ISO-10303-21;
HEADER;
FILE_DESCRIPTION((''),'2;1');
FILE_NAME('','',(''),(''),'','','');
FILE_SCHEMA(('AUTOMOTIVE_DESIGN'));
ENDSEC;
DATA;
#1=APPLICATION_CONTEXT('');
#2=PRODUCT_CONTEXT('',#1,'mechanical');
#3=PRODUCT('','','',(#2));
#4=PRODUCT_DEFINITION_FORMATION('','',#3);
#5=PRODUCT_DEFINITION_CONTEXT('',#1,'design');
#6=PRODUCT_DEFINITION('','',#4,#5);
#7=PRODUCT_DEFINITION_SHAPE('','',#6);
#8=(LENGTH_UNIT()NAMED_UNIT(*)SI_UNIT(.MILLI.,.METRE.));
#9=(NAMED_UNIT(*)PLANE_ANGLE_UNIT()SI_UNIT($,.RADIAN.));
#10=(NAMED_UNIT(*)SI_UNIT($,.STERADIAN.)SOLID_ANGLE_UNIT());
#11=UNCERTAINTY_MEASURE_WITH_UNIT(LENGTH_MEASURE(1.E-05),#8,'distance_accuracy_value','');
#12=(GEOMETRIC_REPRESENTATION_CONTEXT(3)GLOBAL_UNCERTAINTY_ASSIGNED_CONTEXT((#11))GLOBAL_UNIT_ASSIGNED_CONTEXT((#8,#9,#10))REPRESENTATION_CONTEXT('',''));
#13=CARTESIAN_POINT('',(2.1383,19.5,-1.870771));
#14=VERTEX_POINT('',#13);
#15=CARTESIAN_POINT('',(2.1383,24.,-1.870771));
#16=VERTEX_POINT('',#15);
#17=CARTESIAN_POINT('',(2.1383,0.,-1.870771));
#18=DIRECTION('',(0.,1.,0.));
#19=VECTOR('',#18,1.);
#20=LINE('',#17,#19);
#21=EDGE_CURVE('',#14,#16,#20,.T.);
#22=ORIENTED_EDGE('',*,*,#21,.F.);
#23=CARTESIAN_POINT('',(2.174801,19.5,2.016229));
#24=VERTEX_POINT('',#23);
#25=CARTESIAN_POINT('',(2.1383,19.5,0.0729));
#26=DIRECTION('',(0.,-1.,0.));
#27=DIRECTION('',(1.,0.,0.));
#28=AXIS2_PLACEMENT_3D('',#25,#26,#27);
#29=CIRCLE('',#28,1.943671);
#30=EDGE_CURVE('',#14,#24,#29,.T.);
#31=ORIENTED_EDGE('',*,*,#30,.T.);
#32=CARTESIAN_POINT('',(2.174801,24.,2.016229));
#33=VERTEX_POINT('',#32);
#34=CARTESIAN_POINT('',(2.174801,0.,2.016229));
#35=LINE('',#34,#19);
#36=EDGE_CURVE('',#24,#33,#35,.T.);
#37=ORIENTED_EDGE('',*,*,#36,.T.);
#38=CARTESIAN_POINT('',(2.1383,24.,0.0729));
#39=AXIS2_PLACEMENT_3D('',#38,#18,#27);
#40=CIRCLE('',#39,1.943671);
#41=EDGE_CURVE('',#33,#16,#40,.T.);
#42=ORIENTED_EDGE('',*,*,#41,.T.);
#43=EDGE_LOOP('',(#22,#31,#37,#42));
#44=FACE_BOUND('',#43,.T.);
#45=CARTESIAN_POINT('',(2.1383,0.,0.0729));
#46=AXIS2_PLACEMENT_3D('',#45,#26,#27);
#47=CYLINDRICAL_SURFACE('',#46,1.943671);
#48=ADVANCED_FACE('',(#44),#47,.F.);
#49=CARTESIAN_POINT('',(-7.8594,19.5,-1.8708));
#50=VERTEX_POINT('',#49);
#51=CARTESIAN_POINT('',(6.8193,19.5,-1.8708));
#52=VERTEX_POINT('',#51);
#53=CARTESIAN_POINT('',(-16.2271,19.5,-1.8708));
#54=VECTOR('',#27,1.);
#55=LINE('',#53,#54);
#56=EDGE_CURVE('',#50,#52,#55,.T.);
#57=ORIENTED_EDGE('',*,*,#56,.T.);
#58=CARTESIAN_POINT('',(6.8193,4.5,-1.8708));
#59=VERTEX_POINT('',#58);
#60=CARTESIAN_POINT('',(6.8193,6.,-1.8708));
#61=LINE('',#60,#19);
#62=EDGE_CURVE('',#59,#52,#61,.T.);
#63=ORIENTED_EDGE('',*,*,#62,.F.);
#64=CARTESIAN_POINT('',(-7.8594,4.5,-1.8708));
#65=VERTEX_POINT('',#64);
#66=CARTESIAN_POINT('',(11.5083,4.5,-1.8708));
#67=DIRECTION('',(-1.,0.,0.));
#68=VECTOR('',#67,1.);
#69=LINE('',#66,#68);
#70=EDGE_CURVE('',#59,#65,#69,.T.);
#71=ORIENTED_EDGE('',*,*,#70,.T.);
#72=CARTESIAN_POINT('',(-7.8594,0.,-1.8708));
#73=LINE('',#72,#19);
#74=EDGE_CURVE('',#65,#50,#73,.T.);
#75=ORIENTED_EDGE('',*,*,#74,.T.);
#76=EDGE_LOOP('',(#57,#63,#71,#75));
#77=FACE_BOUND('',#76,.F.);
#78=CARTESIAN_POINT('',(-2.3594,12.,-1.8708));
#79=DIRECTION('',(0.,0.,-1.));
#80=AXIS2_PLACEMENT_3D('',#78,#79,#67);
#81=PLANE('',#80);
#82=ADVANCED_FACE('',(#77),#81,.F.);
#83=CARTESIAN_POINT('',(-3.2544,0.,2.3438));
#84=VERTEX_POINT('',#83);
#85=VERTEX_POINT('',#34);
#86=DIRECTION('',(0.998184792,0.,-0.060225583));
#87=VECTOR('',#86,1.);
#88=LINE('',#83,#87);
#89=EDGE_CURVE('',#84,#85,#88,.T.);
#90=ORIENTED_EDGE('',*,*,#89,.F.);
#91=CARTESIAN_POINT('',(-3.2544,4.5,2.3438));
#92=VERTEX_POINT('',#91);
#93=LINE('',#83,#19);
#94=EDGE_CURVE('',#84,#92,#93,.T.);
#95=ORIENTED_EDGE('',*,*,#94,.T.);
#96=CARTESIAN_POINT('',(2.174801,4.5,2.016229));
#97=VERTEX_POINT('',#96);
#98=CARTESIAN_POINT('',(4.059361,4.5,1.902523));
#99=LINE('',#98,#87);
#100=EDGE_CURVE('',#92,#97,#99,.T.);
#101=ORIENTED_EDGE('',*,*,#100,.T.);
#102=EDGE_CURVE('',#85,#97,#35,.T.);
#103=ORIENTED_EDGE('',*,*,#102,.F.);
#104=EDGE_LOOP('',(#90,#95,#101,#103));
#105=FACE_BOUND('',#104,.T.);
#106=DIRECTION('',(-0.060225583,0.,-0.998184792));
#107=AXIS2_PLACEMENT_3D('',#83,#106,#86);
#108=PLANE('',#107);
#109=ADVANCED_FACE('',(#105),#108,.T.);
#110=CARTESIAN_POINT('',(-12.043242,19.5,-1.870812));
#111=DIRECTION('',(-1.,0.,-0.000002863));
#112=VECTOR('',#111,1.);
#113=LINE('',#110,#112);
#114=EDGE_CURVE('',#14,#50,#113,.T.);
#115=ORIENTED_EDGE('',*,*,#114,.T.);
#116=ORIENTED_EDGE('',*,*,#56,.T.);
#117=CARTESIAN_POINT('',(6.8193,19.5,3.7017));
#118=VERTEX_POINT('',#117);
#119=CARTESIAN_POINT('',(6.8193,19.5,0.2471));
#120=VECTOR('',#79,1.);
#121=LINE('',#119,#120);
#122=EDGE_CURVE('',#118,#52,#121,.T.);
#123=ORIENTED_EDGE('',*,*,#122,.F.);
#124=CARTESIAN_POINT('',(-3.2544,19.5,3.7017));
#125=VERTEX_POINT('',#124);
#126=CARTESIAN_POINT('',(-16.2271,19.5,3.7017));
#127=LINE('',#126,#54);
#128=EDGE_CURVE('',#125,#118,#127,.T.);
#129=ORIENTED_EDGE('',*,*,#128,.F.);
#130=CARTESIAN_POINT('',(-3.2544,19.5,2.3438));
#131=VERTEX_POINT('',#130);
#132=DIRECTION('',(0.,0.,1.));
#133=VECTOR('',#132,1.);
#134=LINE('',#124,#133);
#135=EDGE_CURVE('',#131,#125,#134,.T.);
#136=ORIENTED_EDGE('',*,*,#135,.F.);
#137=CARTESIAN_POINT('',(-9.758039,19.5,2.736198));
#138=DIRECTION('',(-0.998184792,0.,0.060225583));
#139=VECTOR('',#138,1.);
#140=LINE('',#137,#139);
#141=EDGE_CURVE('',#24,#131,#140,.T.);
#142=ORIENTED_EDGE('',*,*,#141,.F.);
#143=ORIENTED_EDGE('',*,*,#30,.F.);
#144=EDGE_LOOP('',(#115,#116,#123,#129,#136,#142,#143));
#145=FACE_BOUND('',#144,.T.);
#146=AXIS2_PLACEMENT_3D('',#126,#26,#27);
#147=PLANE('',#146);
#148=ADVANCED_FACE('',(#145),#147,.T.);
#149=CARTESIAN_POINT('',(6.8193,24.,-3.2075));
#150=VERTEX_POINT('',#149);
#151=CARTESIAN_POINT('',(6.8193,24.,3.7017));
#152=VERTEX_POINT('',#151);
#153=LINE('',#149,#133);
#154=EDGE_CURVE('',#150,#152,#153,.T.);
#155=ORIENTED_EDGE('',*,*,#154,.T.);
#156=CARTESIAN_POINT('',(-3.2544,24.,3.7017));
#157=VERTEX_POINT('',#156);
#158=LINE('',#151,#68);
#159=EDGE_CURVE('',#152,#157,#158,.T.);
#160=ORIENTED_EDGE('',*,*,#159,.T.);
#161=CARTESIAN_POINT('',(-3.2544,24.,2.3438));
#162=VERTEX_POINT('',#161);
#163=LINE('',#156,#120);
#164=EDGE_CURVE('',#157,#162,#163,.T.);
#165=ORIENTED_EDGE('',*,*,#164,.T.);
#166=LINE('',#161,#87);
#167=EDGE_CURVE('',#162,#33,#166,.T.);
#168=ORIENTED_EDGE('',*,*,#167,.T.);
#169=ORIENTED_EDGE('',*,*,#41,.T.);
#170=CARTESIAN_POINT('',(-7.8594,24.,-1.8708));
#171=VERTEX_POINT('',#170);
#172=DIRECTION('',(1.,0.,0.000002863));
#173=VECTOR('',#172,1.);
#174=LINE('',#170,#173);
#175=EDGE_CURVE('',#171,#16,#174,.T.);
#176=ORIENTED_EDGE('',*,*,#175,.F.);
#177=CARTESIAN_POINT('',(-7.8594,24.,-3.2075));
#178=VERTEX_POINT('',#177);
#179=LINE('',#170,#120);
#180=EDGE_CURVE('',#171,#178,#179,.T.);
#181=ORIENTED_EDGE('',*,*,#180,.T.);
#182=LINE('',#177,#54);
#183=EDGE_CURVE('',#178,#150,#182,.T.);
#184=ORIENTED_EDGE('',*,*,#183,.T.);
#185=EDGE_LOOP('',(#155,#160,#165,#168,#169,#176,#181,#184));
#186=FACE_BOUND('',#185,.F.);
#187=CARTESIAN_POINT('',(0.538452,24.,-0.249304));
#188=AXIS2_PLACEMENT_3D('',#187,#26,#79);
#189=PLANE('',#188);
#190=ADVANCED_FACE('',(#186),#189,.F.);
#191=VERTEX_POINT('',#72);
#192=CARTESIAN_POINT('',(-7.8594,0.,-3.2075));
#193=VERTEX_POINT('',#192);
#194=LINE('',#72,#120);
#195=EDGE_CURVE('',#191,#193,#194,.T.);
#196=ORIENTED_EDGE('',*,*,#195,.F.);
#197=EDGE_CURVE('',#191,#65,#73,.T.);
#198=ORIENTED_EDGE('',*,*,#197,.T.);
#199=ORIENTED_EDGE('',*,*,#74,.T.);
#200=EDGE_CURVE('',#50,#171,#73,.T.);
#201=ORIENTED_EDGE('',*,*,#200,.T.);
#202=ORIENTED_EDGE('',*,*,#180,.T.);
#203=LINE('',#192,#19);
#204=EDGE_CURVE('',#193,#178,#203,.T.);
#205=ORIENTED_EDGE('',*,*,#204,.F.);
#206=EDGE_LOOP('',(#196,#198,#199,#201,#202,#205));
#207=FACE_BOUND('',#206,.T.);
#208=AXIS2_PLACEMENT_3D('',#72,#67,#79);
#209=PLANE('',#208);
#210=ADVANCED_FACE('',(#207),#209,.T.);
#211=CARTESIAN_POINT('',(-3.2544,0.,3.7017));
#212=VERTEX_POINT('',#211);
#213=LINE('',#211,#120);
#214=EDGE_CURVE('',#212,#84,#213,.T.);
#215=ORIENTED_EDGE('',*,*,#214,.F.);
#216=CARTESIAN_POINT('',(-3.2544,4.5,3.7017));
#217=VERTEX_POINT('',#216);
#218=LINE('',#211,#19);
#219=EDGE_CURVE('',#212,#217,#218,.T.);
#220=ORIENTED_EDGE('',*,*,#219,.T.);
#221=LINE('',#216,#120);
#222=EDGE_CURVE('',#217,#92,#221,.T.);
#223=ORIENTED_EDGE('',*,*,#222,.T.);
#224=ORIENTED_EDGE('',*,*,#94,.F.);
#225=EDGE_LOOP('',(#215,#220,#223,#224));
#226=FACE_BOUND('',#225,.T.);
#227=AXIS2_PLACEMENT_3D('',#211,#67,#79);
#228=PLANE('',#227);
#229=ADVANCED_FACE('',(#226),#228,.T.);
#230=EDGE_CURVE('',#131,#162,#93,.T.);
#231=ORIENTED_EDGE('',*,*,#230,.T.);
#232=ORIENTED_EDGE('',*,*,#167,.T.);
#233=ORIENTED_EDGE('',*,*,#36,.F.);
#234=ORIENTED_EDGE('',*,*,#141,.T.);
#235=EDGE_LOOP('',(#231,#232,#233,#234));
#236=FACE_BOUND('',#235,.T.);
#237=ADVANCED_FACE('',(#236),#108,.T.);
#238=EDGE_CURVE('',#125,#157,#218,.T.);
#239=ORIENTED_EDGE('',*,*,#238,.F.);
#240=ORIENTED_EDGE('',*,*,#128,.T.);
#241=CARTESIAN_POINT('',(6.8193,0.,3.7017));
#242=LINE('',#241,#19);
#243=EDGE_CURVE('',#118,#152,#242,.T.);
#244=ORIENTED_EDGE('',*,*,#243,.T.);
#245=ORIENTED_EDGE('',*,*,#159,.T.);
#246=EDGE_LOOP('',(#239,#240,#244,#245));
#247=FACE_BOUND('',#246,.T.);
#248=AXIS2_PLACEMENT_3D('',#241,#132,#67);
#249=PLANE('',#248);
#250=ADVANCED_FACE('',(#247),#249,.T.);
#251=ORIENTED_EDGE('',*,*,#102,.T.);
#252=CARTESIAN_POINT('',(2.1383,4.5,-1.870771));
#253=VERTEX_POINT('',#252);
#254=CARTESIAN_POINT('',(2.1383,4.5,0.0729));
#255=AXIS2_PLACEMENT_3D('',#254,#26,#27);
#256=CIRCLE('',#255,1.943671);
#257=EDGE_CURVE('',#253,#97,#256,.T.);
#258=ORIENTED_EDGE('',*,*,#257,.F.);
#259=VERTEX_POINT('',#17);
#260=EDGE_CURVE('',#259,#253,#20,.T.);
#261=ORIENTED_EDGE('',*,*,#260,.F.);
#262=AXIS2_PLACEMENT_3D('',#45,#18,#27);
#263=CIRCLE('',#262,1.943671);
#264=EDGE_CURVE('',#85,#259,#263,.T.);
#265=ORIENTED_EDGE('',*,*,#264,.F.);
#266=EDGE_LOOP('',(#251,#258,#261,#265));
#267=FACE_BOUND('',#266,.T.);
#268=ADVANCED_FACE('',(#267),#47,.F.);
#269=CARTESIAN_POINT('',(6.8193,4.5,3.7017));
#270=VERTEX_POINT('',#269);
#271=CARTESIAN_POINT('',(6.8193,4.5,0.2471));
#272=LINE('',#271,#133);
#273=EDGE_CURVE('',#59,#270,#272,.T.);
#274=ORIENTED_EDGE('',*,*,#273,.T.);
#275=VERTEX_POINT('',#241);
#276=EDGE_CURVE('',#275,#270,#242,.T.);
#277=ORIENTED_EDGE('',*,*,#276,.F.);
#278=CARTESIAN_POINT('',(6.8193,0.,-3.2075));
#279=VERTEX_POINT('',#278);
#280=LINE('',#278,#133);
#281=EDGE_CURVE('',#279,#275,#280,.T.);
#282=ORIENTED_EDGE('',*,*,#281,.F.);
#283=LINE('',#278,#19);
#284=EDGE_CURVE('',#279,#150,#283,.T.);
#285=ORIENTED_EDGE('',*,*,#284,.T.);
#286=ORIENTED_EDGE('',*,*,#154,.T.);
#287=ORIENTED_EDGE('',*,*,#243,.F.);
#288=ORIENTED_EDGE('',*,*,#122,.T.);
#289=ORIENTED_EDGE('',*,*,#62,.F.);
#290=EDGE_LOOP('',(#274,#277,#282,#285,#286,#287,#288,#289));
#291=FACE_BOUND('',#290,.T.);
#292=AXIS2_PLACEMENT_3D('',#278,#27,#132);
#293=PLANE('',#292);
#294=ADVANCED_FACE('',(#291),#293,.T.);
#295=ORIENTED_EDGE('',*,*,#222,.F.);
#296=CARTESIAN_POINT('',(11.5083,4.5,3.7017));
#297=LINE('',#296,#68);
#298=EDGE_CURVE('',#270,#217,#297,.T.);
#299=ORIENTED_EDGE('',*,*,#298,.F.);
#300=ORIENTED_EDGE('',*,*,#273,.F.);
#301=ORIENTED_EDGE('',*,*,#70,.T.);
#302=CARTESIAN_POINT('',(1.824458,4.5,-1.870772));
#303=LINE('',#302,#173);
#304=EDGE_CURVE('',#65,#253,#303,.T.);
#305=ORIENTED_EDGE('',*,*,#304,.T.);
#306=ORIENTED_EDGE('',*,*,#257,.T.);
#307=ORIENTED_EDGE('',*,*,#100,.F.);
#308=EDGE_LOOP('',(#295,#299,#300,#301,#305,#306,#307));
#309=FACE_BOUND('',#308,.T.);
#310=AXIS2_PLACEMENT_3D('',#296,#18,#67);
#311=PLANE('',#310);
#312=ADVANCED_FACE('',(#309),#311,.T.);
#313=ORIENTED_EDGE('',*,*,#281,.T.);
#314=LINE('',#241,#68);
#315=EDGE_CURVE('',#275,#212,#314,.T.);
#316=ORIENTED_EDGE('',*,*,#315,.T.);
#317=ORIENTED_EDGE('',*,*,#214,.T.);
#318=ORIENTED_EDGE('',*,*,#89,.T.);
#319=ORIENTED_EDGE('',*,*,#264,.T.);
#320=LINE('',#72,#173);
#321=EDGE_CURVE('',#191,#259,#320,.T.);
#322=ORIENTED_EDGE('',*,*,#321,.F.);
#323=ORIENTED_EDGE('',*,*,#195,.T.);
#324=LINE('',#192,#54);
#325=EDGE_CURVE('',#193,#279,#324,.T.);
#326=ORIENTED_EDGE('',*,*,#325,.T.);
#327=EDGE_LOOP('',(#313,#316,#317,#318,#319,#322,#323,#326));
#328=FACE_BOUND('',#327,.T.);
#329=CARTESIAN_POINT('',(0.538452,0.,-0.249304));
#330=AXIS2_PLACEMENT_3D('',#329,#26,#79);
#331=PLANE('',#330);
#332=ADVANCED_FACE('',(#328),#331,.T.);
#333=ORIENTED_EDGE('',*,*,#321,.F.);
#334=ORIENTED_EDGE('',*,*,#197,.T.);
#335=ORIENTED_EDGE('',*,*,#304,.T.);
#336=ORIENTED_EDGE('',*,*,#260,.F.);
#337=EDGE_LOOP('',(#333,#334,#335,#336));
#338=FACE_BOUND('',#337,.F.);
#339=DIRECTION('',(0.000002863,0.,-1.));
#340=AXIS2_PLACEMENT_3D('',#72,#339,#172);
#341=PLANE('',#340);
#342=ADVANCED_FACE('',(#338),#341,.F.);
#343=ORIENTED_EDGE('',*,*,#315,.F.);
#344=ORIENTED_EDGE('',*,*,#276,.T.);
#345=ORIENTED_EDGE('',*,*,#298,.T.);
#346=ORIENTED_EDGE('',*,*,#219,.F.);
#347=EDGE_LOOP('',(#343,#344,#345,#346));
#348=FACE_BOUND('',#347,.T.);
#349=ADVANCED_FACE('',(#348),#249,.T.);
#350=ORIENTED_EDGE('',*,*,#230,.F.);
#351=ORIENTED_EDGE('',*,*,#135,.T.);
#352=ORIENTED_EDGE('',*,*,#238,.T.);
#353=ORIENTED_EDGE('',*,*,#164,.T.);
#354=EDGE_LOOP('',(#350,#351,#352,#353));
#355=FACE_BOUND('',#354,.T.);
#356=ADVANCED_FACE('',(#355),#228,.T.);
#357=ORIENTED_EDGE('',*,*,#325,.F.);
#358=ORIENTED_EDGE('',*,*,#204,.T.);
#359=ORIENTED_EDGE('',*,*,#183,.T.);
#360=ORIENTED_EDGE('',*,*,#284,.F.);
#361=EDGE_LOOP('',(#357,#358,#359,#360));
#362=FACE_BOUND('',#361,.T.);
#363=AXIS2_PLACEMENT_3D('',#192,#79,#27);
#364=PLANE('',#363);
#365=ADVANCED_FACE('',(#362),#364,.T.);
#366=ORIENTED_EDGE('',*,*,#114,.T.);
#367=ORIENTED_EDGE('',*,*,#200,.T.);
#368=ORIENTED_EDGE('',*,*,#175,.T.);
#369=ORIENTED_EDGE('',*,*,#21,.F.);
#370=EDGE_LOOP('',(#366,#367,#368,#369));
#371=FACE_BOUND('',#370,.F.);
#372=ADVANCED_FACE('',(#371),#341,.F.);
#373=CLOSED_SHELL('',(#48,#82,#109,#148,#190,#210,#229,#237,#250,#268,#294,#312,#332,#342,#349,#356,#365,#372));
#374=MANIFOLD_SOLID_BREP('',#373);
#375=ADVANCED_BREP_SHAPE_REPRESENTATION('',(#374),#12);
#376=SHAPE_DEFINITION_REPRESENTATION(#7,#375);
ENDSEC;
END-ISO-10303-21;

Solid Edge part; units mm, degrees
sketch "Sketch1" plane through (0, 0, 0) normal (0, -1, 0) x (1, 0, 0)
  line L0 (6.8193, 3.7017) -> (-3.2544, 3.7017)
  line L1 (-3.2544, 3.7017) -> (-3.2544, 2.3438)
  line L2 (-3.2544, 2.3438) -> (2.1748, 2.0162)
  arc A0 (2.1748, 2.0162) -> (2.1383, -1.8708) centre (2.1383, 0.0729) cw
  line L3 (-7.8594, -1.8708) -> (2.1383, -1.8708)
  line L4 (-7.8594, -1.8708) -> (-7.8594, -3.2075)
  line L5 (-7.8594, -3.2075) -> (6.8193, -3.2075)
  line L6 (6.8193, -3.2075) -> (6.8193, 3.7017)
extrude "Protrusion1" add sketch "Sketch1" against normal blind 24
sketch "Sketch2" plane through (4.513, 12, 3.7017) normal (0, 0, 1) x (1, 0, 0)
  line L0 (-20.7401, 7.5) -> (6.9953, 7.5)
  line L1 (6.9953, 7.5) -> (6.9953, -7.5)
  line L2 (6.9953, -7.5) -> (-20.7401, -7.5)
  line L3 (-20.7401, -7.5) -> (-20.7401, 7.5)
extrude "Cutout1" cut sketch "Sketch2" against normal up to vertex (5.5725 mm away)
